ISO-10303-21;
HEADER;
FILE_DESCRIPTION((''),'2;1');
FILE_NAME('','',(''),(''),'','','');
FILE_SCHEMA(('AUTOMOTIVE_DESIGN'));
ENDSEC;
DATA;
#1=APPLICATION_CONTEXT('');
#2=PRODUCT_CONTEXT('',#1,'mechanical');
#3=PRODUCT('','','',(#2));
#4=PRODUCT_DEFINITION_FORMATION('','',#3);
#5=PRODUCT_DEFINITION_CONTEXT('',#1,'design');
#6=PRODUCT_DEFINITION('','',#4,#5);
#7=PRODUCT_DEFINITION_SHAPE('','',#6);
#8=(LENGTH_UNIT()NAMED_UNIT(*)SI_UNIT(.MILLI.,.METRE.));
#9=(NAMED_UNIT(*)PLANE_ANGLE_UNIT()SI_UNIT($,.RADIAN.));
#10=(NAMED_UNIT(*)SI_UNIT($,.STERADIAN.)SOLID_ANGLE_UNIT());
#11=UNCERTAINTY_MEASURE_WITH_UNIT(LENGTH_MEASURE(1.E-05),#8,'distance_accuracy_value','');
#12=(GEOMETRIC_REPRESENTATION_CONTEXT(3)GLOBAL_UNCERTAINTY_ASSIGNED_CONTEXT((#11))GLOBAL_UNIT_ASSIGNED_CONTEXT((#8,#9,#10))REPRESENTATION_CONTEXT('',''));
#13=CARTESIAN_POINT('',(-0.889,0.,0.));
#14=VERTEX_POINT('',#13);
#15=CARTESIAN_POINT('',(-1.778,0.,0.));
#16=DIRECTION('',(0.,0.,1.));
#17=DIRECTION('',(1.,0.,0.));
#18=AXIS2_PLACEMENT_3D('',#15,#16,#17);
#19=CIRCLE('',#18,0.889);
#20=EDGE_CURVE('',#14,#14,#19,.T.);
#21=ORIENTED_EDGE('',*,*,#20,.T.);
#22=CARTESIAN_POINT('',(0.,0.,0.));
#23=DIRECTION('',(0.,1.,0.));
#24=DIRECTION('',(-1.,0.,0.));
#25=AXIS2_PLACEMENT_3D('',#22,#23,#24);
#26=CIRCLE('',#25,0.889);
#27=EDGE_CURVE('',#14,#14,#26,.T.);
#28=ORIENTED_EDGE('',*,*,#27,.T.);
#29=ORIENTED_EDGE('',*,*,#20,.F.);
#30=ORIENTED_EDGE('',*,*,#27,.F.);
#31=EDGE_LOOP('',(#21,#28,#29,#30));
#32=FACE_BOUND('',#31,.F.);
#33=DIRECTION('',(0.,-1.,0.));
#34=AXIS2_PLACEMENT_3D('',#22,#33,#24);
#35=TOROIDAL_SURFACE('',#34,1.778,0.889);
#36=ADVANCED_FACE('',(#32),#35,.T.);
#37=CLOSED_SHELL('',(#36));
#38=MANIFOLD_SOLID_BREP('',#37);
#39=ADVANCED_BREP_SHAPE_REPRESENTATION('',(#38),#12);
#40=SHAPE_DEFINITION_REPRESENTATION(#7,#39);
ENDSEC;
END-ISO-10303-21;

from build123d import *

# Parameters (mm, degrees)
SKETCH2_R = 0.889


with BuildPart() as part:
    # Sketch2 → Revolve1 (revolve)
    with BuildSketch(Plane.XY):
        with Locations((-1.778, 0)):
            Circle(SKETCH2_R)
    revolve(axis=Axis((0, 0, 0), (0, 1, 0)))


solid = part.part
